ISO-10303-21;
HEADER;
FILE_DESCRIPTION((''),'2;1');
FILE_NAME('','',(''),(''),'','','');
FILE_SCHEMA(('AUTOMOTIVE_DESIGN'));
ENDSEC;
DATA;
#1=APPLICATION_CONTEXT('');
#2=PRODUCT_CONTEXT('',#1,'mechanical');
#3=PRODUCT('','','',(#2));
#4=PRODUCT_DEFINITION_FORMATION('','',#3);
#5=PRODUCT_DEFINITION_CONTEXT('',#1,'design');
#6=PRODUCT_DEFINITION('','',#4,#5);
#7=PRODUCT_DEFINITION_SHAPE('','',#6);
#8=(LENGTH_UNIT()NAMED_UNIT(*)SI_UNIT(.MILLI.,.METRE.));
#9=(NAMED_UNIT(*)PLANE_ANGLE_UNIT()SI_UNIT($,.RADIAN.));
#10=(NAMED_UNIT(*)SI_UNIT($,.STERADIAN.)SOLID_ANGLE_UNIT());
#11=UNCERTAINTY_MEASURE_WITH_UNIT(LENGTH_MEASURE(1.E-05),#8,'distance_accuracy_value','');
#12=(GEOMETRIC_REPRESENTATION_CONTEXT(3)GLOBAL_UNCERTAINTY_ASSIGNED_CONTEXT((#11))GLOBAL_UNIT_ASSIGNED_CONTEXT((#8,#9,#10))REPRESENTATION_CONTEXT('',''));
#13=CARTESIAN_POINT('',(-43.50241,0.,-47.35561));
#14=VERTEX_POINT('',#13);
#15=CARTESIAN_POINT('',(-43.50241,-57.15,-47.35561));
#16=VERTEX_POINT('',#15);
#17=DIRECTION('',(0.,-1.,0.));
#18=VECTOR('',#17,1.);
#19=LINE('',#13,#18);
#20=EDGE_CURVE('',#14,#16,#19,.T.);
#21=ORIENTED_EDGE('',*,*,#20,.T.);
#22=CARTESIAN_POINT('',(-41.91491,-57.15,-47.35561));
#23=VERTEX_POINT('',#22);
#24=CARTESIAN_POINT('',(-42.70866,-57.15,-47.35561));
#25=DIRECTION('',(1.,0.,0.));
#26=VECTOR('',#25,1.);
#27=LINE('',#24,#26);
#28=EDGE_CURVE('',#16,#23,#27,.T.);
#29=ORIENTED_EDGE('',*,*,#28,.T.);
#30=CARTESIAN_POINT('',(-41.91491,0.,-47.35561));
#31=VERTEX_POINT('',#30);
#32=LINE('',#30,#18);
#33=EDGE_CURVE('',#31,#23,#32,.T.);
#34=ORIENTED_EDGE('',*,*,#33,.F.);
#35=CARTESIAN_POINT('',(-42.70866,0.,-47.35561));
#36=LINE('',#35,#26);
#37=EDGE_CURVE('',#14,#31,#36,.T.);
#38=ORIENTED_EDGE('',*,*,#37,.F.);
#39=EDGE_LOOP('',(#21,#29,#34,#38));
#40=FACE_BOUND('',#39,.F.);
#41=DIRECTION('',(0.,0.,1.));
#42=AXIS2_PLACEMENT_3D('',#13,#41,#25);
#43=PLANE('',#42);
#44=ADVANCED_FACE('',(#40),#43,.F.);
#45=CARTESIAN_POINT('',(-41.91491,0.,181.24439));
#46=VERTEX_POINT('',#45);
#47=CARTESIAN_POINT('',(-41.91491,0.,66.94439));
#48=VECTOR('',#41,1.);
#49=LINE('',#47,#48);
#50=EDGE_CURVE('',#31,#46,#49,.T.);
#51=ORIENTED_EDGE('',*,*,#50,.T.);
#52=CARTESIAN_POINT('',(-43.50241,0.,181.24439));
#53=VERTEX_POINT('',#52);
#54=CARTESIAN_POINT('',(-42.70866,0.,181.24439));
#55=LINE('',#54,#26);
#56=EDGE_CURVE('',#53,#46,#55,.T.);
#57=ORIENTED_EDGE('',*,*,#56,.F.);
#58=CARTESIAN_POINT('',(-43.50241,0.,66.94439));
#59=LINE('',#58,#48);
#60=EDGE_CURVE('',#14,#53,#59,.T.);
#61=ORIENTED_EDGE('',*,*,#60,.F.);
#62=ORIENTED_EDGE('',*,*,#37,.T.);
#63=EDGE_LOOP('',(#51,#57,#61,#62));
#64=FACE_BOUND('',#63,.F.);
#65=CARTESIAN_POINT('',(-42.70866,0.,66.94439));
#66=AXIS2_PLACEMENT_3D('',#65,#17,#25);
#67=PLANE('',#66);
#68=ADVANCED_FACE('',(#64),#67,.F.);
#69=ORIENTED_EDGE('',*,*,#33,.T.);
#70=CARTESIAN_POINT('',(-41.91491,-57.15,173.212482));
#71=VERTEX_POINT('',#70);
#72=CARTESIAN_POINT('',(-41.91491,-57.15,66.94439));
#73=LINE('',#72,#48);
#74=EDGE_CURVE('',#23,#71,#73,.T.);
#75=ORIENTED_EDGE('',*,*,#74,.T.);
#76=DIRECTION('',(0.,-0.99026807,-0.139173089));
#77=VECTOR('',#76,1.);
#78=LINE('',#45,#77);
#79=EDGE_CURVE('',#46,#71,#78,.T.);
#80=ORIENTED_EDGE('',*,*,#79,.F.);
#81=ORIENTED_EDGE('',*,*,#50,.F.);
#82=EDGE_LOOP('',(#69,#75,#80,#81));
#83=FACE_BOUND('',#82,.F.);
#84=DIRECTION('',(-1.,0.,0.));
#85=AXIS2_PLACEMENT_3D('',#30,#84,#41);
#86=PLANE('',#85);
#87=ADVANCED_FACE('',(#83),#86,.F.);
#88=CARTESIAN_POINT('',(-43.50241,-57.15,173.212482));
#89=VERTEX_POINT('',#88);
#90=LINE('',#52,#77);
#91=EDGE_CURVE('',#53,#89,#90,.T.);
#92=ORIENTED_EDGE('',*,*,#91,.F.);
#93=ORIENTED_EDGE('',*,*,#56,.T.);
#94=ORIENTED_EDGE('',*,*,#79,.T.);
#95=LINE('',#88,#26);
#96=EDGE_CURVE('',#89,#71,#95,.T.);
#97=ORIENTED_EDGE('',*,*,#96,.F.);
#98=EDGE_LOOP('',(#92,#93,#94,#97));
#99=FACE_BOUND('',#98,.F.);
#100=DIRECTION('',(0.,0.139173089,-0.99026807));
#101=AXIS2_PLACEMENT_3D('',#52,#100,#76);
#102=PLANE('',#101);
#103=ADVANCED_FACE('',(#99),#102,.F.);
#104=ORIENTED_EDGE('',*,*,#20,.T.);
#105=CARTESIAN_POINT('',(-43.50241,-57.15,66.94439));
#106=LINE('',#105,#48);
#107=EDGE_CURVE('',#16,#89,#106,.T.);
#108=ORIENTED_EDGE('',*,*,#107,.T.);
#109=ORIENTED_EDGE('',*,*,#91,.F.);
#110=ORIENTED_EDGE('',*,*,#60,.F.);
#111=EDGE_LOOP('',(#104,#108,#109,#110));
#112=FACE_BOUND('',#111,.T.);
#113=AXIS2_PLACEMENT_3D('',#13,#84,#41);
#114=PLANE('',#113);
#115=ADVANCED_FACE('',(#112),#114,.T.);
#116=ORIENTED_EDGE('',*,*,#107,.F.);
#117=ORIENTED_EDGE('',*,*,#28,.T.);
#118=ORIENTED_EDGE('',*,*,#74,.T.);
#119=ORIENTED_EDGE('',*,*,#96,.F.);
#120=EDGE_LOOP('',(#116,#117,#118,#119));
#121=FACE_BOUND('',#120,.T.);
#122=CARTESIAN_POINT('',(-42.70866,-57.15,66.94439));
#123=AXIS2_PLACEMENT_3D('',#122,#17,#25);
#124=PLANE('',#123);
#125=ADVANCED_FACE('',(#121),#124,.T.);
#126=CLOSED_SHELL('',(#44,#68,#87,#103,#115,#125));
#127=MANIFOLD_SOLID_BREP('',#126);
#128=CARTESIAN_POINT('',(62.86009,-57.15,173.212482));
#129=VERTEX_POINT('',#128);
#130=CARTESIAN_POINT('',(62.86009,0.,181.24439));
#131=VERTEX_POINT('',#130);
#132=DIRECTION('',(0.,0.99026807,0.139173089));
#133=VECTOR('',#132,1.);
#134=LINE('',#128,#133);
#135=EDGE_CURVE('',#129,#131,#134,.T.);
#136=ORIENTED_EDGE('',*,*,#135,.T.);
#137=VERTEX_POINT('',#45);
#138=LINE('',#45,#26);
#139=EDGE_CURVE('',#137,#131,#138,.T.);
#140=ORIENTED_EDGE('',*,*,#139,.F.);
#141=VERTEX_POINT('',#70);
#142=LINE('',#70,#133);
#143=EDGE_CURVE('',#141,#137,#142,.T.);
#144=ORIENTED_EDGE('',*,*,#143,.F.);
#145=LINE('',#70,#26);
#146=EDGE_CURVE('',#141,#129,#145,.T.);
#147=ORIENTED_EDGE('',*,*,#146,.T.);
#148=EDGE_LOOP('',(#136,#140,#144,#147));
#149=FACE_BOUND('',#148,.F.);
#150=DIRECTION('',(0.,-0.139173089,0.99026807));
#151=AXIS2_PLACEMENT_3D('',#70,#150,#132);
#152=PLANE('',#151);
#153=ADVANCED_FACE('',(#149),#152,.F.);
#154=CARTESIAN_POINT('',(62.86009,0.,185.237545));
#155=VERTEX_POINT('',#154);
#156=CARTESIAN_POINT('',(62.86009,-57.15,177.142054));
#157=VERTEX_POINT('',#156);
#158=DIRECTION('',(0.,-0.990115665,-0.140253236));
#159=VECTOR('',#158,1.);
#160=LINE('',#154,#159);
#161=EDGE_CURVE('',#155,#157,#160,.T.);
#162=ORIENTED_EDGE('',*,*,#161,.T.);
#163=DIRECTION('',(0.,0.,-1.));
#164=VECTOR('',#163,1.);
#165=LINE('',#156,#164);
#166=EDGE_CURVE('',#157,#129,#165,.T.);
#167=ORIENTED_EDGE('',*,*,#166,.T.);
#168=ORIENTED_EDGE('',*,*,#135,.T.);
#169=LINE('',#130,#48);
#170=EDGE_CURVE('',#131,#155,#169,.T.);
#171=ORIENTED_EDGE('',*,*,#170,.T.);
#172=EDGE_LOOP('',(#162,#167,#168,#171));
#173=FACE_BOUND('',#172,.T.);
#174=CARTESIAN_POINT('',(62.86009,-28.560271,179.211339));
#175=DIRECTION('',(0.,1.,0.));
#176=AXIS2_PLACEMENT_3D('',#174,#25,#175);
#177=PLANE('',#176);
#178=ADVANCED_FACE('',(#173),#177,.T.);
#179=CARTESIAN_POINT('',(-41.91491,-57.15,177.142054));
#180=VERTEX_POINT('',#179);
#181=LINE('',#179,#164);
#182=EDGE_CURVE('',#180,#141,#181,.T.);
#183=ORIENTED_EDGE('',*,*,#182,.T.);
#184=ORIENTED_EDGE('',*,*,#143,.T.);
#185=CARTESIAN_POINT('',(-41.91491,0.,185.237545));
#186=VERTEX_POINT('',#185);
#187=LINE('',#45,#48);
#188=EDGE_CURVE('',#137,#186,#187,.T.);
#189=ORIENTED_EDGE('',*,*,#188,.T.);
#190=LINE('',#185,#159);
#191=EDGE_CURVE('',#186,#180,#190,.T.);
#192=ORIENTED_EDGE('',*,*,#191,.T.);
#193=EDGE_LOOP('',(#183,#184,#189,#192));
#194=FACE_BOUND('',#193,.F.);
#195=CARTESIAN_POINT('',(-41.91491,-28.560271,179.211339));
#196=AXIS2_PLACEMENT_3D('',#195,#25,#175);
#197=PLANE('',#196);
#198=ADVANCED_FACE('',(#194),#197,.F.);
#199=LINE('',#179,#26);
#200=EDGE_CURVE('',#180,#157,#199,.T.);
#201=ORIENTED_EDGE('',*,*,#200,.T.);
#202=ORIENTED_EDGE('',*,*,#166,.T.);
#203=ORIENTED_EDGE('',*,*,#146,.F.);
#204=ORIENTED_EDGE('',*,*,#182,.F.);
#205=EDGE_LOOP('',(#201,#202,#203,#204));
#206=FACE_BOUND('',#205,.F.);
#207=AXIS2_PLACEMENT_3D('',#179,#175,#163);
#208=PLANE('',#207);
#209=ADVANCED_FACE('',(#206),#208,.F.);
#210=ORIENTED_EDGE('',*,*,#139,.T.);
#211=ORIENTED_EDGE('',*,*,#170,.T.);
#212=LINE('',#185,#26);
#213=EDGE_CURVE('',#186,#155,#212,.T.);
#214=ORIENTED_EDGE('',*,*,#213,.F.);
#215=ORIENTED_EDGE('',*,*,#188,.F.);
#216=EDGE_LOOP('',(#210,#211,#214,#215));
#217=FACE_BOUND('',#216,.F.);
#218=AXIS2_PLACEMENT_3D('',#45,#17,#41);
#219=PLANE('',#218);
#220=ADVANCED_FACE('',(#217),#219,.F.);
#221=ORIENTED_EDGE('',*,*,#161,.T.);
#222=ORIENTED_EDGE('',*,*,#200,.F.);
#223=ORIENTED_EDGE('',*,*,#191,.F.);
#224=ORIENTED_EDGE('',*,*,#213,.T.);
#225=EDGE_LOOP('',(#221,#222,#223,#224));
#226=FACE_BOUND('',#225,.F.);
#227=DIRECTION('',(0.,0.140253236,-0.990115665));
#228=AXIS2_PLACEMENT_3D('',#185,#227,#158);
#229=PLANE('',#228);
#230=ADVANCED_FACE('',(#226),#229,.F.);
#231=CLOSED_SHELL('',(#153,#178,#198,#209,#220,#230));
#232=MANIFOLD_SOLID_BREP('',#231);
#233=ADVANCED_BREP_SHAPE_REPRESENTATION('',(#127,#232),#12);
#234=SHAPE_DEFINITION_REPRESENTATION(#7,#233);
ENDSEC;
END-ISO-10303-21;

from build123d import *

# Parameters (mm, degrees)
F0_W     = 1.5875
F0_H     = 228.6
F1_DEPTH = 57.15
F3_DEPTH = 1.5875
F5_DEPTH = 104.775


with BuildPart() as f1:
    # F0 (on Front) → F1 (new body)
    with BuildSketch(Plane.XZ):
        with Locations((-42.70866, 66.94439)):
            Rectangle(F0_W, F0_H)
    extrude(amount=F1_DEPTH)

    # F2 (on face) → F3 (cut, through all)
    with BuildSketch(Plane(origin=(-43.50241, 0, 0), x_dir=(0, -1, 0), z_dir=(-1, 0, 0))):
        Polygon((57.15, 181.24439), (0, 181.24439), (57.15, 173.212482), align=None)
    extrude(amount=-F3_DEPTH, mode=Mode.SUBTRACT)


with BuildPart() as f5:
    # F4 (on face) → F5 (new body)
    with BuildSketch(Plane.YZ.offset(-41.91491)):
        Polygon((-57.15, 177.142054), (-57.15, 173.212482), (0, 181.24439), (0, 185.237545), align=None)
    extrude(amount=F5_DEPTH)


solid = Compound([f1.part, f5.part])
